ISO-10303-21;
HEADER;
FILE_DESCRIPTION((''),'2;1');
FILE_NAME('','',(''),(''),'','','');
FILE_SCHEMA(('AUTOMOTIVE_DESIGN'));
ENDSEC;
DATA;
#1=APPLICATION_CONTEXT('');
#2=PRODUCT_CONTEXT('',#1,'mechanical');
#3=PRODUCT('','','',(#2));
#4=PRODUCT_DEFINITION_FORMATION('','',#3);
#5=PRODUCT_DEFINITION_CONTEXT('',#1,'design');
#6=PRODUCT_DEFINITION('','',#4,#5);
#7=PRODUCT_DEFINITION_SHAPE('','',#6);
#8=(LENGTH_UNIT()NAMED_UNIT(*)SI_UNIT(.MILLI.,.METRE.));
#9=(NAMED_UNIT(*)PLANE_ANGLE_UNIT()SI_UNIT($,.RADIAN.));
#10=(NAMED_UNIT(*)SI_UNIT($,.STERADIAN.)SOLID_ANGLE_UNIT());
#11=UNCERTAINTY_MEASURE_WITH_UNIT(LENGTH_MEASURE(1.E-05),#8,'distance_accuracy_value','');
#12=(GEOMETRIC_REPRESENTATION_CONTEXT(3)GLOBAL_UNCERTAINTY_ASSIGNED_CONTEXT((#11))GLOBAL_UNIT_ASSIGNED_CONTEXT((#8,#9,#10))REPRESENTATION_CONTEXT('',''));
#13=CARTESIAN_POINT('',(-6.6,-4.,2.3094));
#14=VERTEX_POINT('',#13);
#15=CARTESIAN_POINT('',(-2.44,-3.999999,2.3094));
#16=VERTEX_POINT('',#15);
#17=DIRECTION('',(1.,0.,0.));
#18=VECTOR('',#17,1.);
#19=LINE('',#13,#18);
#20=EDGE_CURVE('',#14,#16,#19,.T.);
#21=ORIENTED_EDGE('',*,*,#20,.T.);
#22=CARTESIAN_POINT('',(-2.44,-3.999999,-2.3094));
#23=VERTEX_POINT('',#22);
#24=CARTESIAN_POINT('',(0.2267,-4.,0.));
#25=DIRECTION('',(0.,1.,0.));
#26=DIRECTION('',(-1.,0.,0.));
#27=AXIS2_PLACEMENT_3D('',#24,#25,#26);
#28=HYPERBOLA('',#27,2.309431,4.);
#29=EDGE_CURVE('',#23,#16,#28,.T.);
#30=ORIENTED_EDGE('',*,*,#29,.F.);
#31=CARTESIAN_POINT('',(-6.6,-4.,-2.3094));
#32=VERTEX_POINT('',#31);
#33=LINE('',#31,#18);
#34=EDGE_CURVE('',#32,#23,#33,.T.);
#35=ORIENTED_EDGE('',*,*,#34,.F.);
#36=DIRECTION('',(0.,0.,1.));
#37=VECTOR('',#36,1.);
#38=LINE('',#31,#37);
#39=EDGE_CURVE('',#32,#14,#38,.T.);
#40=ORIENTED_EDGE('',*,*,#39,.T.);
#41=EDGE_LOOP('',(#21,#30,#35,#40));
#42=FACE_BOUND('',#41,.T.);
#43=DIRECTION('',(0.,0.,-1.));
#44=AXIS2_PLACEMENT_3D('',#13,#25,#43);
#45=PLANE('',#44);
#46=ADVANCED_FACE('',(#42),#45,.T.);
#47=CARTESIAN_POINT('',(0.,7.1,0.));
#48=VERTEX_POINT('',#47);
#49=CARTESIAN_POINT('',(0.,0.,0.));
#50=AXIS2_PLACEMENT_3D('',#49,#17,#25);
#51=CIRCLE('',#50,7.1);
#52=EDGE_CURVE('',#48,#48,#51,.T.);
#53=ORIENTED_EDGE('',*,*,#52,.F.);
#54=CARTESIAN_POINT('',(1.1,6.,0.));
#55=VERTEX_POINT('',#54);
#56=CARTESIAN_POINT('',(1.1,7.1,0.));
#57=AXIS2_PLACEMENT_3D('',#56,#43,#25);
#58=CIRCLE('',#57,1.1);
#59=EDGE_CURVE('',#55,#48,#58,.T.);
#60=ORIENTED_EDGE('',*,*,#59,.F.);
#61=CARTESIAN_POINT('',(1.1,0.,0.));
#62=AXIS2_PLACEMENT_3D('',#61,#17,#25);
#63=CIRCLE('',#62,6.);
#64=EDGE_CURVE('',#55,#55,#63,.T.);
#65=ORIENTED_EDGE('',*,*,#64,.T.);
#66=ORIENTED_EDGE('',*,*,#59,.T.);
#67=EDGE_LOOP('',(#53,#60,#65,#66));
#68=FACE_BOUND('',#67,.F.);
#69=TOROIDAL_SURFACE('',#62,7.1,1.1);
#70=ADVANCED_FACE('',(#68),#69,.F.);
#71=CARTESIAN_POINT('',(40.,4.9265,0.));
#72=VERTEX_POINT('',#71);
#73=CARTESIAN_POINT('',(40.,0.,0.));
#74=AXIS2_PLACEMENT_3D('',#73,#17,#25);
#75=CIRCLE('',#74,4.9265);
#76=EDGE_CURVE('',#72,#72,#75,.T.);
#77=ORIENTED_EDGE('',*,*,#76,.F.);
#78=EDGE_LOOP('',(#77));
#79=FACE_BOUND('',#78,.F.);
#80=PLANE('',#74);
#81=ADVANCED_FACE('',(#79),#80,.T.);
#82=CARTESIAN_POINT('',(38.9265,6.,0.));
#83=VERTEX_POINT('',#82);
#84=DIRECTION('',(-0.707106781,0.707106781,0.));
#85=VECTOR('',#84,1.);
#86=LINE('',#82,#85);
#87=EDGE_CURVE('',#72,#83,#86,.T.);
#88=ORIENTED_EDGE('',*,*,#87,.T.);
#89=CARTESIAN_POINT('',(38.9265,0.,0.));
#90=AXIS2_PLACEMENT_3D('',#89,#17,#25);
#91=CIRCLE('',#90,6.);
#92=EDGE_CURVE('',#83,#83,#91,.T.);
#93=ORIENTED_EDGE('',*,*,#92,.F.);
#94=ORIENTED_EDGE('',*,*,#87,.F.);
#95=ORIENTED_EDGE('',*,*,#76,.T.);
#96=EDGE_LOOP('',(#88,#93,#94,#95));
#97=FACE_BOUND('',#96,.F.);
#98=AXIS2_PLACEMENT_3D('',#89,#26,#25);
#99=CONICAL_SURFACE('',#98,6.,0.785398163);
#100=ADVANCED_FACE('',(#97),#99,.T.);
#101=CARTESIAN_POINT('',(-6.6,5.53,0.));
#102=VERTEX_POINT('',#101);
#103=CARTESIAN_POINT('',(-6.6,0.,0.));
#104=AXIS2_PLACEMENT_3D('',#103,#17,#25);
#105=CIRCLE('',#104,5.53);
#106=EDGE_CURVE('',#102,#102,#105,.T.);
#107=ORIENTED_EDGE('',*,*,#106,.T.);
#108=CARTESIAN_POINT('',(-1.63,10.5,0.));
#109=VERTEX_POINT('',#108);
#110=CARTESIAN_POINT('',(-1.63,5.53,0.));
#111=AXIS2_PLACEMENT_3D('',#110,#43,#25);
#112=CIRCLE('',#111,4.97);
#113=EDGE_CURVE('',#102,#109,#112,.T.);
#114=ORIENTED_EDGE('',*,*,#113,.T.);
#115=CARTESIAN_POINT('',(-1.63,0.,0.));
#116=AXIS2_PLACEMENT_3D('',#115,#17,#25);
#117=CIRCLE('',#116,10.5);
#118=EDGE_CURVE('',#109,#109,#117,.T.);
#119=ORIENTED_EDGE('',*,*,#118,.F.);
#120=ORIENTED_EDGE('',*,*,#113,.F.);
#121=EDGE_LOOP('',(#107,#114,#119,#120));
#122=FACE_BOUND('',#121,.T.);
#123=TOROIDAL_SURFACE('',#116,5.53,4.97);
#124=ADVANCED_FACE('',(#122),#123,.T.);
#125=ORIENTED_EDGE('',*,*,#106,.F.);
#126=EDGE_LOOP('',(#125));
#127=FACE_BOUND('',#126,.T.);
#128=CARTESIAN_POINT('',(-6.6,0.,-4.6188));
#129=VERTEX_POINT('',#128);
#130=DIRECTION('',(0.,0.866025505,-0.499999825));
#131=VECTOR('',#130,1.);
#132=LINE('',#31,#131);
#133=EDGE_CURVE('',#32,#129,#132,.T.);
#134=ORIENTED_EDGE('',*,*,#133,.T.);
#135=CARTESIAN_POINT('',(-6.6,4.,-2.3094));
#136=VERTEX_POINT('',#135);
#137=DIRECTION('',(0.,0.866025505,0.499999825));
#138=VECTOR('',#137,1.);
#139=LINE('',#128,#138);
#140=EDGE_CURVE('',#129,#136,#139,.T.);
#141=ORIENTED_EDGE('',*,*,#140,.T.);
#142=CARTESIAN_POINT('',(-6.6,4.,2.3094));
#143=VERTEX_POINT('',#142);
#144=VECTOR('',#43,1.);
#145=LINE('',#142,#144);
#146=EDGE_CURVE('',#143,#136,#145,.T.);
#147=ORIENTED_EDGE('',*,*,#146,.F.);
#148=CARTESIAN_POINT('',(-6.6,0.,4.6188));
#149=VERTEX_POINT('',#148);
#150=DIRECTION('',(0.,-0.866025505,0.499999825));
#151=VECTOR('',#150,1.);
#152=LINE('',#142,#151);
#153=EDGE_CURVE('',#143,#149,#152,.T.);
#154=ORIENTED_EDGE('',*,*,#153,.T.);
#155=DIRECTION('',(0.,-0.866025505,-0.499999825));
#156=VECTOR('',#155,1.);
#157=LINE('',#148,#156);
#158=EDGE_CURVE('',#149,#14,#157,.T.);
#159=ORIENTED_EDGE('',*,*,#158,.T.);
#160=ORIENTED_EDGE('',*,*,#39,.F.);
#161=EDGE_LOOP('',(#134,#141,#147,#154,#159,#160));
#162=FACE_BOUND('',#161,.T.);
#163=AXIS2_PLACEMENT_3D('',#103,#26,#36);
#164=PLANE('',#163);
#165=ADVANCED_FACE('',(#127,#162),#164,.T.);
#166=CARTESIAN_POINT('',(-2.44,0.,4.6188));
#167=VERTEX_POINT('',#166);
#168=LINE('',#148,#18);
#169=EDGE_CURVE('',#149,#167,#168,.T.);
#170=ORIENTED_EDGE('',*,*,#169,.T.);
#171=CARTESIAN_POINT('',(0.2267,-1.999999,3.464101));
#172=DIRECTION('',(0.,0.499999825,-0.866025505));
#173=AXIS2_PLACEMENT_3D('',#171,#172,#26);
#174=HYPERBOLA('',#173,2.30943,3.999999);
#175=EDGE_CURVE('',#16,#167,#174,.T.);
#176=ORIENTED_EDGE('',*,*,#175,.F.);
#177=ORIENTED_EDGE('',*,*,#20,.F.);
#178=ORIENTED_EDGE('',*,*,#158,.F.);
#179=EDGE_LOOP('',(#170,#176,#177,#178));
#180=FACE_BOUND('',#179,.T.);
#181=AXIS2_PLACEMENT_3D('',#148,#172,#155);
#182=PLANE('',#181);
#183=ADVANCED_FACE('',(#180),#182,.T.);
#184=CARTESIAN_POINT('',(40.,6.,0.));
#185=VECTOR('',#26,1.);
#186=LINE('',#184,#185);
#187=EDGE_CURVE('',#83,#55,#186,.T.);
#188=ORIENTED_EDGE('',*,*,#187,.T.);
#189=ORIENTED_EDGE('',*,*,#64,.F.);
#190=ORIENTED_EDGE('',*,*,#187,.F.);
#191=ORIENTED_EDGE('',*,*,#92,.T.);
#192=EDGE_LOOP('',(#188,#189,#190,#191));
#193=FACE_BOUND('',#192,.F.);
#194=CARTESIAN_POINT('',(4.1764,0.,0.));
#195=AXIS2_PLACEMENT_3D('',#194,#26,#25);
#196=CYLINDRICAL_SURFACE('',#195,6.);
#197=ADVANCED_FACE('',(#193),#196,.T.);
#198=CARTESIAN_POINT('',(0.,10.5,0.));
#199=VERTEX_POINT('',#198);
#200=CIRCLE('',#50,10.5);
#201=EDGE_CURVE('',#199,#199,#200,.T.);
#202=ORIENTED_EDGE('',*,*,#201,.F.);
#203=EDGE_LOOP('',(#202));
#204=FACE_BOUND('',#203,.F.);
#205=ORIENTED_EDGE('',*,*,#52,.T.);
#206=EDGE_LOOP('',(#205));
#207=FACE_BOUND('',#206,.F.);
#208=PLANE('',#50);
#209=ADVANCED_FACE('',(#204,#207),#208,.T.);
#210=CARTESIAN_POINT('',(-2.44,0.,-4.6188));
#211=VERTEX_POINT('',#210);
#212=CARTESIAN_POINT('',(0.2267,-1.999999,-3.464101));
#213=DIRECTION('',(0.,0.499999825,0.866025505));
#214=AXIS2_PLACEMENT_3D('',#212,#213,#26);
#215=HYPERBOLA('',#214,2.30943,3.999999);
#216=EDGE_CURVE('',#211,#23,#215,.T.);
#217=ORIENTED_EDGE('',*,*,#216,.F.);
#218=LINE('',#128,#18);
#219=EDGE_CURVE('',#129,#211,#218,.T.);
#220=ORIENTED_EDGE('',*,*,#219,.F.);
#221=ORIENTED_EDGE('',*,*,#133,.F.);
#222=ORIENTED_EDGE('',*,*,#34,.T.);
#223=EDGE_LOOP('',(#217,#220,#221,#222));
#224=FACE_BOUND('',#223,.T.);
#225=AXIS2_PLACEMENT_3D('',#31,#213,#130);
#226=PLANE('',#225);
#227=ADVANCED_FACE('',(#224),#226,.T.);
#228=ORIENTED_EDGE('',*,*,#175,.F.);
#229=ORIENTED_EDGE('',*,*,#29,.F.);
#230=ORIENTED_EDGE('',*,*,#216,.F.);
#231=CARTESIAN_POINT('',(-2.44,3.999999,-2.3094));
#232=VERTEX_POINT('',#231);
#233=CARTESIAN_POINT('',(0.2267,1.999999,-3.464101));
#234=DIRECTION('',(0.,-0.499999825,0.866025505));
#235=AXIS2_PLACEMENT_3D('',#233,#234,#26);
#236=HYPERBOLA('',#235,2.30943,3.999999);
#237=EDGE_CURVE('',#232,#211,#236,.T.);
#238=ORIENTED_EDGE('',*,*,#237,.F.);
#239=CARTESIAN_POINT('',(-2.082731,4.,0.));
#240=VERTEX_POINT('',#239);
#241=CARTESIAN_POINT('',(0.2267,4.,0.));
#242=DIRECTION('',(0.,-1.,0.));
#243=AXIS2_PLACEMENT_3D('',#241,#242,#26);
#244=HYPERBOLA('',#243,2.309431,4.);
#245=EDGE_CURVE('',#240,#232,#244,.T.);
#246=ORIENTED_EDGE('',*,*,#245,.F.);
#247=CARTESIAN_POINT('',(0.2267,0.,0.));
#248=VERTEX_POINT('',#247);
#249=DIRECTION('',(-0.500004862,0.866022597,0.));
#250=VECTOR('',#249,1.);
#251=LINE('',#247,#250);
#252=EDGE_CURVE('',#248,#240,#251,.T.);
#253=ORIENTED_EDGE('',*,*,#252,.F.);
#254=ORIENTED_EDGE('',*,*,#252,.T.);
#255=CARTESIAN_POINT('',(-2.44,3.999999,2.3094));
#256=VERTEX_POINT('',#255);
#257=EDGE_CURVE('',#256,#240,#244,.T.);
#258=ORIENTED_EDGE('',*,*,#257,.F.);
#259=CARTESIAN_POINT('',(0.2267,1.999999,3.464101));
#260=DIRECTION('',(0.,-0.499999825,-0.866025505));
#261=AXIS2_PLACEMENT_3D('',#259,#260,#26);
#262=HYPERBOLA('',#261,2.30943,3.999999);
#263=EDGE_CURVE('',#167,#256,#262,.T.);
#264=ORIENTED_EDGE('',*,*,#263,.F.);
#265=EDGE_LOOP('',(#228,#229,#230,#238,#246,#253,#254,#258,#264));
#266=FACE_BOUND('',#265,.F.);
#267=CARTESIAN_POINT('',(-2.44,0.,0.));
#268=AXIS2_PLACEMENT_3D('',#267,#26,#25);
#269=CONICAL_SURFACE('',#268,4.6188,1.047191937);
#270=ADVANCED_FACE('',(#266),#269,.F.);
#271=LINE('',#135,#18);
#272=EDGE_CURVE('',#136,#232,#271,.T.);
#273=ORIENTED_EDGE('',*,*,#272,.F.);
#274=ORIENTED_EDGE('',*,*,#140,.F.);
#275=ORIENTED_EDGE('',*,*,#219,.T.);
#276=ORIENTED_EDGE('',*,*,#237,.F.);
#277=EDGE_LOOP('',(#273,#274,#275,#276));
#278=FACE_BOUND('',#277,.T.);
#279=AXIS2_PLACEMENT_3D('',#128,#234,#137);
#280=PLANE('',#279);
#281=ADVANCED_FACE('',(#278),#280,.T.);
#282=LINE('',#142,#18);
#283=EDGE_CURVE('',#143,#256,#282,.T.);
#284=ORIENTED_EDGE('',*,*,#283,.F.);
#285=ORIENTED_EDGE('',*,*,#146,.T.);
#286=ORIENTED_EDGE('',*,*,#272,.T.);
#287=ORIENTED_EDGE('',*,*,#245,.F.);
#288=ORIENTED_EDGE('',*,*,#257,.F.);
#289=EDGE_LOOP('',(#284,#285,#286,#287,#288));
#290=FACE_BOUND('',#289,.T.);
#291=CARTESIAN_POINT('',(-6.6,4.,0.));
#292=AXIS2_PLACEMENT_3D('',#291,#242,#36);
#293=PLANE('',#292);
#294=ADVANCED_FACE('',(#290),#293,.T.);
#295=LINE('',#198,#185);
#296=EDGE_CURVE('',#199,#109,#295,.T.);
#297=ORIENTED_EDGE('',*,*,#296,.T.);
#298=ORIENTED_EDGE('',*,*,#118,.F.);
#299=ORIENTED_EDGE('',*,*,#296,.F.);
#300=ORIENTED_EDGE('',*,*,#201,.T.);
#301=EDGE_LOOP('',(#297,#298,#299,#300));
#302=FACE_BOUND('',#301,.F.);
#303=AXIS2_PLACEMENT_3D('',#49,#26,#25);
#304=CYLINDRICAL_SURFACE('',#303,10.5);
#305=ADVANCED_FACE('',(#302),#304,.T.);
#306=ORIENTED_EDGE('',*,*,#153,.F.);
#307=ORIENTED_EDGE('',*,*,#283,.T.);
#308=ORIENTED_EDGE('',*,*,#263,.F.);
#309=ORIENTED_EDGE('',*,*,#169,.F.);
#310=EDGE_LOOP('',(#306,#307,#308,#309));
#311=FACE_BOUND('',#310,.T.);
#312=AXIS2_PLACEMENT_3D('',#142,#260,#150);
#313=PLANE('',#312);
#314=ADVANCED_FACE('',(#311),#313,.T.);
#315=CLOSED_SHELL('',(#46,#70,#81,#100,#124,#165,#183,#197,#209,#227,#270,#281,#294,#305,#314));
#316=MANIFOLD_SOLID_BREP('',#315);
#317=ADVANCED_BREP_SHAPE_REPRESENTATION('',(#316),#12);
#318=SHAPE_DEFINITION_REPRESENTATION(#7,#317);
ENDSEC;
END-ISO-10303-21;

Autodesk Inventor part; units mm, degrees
ref_plane "YZ Plane" through (0, 0, 0) normal (1, 0, 0) x (0, 1, 0)
ref_plane "XZ Plane" through (0, 0, 0) normal (0, 1, 0) x (-1, 0, 0)
sketch "Skizze1" plane through (0, 0, 0) normal (0, 0, 1) x (1, 0, 0)
  line L0 (0.2267, 0) -> (40, 0)
  line L1 (40, 0) -> (40, 6)
  line L2 (40, 6) -> (5.25, 6)
  line L3 (5.25, 6) -> (4.1764, 6)
  line L4 (4.1764, 6) -> (0, 6)
  line L5 (0, 6) -> (0, 10.5)
  line L6 (0, 10.5) -> (-6.6, 10.5)
  line L7 (-6.6, 10.5) -> (-6.6, 4.6188)
  line L8 (-6.6, 4.6188) -> (-2.44, 4.6188)
  line L9 (-2.44, 4.6188) -> (0.2267, 0)
  line L10 (-15.92, 0) -> (49.32, 0) projected
  line L11 (0, -2.1) -> (0, 12.6) projected
  line L12 (5.25, 6) -> (0, 6) construction
  dimension "d1" = 34.75
  dimension "d2" = 1.0736
  dimension "d3" = 6.6
  dimension "d4" = 4.16
  dimension "d5" = 60
  dimension "d6" = 12
  dimension "d7" = 12
  dimension "d8" = 9.2376
  dimension "d9" = 21
  dimension "d26" = 40
revolve "Körper" add sketch "Skizze1" angle 360 about axis through (0.2267, 0, 0) along (1, 0, 0) contours L9 L11 L4 L3 L2 L1 L0 | L9 L8 L7 L6 L5 L11
sketch "Skizze2" plane through (-6.6, 0, 0) normal (-1, 0, 0) x (0, 0, 1)
  circle A0 centre (0, 0) radius 4.6188 projected
  line L0 (0, -14.7) -> (0, 14.7) projected
  line L1 (-14.7, 0) -> (14.7, 0) projected
  line L2 (4.6188, 0) -> (2.3094, -4)
  line L3 (2.3094, -4) -> (-2.3094, -4)
  line L4 (-2.3094, -4) -> (-4.6188, 0)
  line L5 (-4.6188, 0) -> (-2.3094, 4)
  line L6 (-2.3094, 4) -> (2.3094, 4)
  line L7 (2.3094, 4) -> (4.6188, 0)
extrude "Loch" add sketch "Skizze2" against normal up to next contours L7 A0 | A0 L2 | L6 L0 A0 | A0 L0 L3 | L0 L6 A0 | A0 L3 L0 | L4 A0 | A0 L5
fillet "Rundung1" radius 4.97 1 edges at (-6.6, -10.5, 0)
thread "Gewinde" size "M12x1.75" class "6g" standard "ISO Metric profile" length 34.75
chamfer "Fase1" distance 1.0735 distance2 1.0735 1 edges at (40, -6, 0) measured on face at (40, -2.3028, -0.7984)
ref_plane "Work Plane1" through (29, 0, 0) normal (0, -1, 0) x (1, 0, 0)
fillet "Rundung2" radius 1.1 1 edges at (0, -6, 0)
equation "\"d1\" = GEL"
equation "\"d3\" = KOH"
equation "\"d4\" = INTI"
equation "\"d6\" = GD"
equation "\"d7\" = BDM"
equation "\"d8\" = 1.1547 * SW"
equation "\"d9\" = KOD"
equation "\"d26\" = NLG"
equation "\"d17\" = RR"
equation "\"d13\" = GEL"
equation "\"d15\" = -0.5 * SPD + 0.5 * GD"
equation "\"d16\" = GUL"
equation "\"d30\" = R"
equation "\"GD\" = NND"
equation "\"NLG\" = 40"
equation "\"GEL\" = 34.75"
equation "\"KOD\" = 21"
equation "\"KOH\" = 6.6"
equation "\"INTI\" = 4.16"
equation "\"GAL\" = 0.61345 * PTC"
equation "\"GUL\" = 0.61345 * PTC"
equation "\"BDM\" = NND"
equation "\"SW\" = 8"
equation "\"RR\" = 4.97"
equation "\"SPD\" = NND - 1.2269 * PTC"
equation "\"R\" = 1.1"
equation "\"TOA\" = 30deg"
equation "\"GD1\" = THREADDIA - 1.2269 * PTC"
equation "\"THREADDIA\" = 12"
equation "\"PTC\" = 1.75"
equation "\"NND\" = 12"
equation "\"KOH1\" = 1.63"
equation "\"E0\" = 9.149"
properties part number "ISO 7380-1 - M12 x 40" material "Stahl"
